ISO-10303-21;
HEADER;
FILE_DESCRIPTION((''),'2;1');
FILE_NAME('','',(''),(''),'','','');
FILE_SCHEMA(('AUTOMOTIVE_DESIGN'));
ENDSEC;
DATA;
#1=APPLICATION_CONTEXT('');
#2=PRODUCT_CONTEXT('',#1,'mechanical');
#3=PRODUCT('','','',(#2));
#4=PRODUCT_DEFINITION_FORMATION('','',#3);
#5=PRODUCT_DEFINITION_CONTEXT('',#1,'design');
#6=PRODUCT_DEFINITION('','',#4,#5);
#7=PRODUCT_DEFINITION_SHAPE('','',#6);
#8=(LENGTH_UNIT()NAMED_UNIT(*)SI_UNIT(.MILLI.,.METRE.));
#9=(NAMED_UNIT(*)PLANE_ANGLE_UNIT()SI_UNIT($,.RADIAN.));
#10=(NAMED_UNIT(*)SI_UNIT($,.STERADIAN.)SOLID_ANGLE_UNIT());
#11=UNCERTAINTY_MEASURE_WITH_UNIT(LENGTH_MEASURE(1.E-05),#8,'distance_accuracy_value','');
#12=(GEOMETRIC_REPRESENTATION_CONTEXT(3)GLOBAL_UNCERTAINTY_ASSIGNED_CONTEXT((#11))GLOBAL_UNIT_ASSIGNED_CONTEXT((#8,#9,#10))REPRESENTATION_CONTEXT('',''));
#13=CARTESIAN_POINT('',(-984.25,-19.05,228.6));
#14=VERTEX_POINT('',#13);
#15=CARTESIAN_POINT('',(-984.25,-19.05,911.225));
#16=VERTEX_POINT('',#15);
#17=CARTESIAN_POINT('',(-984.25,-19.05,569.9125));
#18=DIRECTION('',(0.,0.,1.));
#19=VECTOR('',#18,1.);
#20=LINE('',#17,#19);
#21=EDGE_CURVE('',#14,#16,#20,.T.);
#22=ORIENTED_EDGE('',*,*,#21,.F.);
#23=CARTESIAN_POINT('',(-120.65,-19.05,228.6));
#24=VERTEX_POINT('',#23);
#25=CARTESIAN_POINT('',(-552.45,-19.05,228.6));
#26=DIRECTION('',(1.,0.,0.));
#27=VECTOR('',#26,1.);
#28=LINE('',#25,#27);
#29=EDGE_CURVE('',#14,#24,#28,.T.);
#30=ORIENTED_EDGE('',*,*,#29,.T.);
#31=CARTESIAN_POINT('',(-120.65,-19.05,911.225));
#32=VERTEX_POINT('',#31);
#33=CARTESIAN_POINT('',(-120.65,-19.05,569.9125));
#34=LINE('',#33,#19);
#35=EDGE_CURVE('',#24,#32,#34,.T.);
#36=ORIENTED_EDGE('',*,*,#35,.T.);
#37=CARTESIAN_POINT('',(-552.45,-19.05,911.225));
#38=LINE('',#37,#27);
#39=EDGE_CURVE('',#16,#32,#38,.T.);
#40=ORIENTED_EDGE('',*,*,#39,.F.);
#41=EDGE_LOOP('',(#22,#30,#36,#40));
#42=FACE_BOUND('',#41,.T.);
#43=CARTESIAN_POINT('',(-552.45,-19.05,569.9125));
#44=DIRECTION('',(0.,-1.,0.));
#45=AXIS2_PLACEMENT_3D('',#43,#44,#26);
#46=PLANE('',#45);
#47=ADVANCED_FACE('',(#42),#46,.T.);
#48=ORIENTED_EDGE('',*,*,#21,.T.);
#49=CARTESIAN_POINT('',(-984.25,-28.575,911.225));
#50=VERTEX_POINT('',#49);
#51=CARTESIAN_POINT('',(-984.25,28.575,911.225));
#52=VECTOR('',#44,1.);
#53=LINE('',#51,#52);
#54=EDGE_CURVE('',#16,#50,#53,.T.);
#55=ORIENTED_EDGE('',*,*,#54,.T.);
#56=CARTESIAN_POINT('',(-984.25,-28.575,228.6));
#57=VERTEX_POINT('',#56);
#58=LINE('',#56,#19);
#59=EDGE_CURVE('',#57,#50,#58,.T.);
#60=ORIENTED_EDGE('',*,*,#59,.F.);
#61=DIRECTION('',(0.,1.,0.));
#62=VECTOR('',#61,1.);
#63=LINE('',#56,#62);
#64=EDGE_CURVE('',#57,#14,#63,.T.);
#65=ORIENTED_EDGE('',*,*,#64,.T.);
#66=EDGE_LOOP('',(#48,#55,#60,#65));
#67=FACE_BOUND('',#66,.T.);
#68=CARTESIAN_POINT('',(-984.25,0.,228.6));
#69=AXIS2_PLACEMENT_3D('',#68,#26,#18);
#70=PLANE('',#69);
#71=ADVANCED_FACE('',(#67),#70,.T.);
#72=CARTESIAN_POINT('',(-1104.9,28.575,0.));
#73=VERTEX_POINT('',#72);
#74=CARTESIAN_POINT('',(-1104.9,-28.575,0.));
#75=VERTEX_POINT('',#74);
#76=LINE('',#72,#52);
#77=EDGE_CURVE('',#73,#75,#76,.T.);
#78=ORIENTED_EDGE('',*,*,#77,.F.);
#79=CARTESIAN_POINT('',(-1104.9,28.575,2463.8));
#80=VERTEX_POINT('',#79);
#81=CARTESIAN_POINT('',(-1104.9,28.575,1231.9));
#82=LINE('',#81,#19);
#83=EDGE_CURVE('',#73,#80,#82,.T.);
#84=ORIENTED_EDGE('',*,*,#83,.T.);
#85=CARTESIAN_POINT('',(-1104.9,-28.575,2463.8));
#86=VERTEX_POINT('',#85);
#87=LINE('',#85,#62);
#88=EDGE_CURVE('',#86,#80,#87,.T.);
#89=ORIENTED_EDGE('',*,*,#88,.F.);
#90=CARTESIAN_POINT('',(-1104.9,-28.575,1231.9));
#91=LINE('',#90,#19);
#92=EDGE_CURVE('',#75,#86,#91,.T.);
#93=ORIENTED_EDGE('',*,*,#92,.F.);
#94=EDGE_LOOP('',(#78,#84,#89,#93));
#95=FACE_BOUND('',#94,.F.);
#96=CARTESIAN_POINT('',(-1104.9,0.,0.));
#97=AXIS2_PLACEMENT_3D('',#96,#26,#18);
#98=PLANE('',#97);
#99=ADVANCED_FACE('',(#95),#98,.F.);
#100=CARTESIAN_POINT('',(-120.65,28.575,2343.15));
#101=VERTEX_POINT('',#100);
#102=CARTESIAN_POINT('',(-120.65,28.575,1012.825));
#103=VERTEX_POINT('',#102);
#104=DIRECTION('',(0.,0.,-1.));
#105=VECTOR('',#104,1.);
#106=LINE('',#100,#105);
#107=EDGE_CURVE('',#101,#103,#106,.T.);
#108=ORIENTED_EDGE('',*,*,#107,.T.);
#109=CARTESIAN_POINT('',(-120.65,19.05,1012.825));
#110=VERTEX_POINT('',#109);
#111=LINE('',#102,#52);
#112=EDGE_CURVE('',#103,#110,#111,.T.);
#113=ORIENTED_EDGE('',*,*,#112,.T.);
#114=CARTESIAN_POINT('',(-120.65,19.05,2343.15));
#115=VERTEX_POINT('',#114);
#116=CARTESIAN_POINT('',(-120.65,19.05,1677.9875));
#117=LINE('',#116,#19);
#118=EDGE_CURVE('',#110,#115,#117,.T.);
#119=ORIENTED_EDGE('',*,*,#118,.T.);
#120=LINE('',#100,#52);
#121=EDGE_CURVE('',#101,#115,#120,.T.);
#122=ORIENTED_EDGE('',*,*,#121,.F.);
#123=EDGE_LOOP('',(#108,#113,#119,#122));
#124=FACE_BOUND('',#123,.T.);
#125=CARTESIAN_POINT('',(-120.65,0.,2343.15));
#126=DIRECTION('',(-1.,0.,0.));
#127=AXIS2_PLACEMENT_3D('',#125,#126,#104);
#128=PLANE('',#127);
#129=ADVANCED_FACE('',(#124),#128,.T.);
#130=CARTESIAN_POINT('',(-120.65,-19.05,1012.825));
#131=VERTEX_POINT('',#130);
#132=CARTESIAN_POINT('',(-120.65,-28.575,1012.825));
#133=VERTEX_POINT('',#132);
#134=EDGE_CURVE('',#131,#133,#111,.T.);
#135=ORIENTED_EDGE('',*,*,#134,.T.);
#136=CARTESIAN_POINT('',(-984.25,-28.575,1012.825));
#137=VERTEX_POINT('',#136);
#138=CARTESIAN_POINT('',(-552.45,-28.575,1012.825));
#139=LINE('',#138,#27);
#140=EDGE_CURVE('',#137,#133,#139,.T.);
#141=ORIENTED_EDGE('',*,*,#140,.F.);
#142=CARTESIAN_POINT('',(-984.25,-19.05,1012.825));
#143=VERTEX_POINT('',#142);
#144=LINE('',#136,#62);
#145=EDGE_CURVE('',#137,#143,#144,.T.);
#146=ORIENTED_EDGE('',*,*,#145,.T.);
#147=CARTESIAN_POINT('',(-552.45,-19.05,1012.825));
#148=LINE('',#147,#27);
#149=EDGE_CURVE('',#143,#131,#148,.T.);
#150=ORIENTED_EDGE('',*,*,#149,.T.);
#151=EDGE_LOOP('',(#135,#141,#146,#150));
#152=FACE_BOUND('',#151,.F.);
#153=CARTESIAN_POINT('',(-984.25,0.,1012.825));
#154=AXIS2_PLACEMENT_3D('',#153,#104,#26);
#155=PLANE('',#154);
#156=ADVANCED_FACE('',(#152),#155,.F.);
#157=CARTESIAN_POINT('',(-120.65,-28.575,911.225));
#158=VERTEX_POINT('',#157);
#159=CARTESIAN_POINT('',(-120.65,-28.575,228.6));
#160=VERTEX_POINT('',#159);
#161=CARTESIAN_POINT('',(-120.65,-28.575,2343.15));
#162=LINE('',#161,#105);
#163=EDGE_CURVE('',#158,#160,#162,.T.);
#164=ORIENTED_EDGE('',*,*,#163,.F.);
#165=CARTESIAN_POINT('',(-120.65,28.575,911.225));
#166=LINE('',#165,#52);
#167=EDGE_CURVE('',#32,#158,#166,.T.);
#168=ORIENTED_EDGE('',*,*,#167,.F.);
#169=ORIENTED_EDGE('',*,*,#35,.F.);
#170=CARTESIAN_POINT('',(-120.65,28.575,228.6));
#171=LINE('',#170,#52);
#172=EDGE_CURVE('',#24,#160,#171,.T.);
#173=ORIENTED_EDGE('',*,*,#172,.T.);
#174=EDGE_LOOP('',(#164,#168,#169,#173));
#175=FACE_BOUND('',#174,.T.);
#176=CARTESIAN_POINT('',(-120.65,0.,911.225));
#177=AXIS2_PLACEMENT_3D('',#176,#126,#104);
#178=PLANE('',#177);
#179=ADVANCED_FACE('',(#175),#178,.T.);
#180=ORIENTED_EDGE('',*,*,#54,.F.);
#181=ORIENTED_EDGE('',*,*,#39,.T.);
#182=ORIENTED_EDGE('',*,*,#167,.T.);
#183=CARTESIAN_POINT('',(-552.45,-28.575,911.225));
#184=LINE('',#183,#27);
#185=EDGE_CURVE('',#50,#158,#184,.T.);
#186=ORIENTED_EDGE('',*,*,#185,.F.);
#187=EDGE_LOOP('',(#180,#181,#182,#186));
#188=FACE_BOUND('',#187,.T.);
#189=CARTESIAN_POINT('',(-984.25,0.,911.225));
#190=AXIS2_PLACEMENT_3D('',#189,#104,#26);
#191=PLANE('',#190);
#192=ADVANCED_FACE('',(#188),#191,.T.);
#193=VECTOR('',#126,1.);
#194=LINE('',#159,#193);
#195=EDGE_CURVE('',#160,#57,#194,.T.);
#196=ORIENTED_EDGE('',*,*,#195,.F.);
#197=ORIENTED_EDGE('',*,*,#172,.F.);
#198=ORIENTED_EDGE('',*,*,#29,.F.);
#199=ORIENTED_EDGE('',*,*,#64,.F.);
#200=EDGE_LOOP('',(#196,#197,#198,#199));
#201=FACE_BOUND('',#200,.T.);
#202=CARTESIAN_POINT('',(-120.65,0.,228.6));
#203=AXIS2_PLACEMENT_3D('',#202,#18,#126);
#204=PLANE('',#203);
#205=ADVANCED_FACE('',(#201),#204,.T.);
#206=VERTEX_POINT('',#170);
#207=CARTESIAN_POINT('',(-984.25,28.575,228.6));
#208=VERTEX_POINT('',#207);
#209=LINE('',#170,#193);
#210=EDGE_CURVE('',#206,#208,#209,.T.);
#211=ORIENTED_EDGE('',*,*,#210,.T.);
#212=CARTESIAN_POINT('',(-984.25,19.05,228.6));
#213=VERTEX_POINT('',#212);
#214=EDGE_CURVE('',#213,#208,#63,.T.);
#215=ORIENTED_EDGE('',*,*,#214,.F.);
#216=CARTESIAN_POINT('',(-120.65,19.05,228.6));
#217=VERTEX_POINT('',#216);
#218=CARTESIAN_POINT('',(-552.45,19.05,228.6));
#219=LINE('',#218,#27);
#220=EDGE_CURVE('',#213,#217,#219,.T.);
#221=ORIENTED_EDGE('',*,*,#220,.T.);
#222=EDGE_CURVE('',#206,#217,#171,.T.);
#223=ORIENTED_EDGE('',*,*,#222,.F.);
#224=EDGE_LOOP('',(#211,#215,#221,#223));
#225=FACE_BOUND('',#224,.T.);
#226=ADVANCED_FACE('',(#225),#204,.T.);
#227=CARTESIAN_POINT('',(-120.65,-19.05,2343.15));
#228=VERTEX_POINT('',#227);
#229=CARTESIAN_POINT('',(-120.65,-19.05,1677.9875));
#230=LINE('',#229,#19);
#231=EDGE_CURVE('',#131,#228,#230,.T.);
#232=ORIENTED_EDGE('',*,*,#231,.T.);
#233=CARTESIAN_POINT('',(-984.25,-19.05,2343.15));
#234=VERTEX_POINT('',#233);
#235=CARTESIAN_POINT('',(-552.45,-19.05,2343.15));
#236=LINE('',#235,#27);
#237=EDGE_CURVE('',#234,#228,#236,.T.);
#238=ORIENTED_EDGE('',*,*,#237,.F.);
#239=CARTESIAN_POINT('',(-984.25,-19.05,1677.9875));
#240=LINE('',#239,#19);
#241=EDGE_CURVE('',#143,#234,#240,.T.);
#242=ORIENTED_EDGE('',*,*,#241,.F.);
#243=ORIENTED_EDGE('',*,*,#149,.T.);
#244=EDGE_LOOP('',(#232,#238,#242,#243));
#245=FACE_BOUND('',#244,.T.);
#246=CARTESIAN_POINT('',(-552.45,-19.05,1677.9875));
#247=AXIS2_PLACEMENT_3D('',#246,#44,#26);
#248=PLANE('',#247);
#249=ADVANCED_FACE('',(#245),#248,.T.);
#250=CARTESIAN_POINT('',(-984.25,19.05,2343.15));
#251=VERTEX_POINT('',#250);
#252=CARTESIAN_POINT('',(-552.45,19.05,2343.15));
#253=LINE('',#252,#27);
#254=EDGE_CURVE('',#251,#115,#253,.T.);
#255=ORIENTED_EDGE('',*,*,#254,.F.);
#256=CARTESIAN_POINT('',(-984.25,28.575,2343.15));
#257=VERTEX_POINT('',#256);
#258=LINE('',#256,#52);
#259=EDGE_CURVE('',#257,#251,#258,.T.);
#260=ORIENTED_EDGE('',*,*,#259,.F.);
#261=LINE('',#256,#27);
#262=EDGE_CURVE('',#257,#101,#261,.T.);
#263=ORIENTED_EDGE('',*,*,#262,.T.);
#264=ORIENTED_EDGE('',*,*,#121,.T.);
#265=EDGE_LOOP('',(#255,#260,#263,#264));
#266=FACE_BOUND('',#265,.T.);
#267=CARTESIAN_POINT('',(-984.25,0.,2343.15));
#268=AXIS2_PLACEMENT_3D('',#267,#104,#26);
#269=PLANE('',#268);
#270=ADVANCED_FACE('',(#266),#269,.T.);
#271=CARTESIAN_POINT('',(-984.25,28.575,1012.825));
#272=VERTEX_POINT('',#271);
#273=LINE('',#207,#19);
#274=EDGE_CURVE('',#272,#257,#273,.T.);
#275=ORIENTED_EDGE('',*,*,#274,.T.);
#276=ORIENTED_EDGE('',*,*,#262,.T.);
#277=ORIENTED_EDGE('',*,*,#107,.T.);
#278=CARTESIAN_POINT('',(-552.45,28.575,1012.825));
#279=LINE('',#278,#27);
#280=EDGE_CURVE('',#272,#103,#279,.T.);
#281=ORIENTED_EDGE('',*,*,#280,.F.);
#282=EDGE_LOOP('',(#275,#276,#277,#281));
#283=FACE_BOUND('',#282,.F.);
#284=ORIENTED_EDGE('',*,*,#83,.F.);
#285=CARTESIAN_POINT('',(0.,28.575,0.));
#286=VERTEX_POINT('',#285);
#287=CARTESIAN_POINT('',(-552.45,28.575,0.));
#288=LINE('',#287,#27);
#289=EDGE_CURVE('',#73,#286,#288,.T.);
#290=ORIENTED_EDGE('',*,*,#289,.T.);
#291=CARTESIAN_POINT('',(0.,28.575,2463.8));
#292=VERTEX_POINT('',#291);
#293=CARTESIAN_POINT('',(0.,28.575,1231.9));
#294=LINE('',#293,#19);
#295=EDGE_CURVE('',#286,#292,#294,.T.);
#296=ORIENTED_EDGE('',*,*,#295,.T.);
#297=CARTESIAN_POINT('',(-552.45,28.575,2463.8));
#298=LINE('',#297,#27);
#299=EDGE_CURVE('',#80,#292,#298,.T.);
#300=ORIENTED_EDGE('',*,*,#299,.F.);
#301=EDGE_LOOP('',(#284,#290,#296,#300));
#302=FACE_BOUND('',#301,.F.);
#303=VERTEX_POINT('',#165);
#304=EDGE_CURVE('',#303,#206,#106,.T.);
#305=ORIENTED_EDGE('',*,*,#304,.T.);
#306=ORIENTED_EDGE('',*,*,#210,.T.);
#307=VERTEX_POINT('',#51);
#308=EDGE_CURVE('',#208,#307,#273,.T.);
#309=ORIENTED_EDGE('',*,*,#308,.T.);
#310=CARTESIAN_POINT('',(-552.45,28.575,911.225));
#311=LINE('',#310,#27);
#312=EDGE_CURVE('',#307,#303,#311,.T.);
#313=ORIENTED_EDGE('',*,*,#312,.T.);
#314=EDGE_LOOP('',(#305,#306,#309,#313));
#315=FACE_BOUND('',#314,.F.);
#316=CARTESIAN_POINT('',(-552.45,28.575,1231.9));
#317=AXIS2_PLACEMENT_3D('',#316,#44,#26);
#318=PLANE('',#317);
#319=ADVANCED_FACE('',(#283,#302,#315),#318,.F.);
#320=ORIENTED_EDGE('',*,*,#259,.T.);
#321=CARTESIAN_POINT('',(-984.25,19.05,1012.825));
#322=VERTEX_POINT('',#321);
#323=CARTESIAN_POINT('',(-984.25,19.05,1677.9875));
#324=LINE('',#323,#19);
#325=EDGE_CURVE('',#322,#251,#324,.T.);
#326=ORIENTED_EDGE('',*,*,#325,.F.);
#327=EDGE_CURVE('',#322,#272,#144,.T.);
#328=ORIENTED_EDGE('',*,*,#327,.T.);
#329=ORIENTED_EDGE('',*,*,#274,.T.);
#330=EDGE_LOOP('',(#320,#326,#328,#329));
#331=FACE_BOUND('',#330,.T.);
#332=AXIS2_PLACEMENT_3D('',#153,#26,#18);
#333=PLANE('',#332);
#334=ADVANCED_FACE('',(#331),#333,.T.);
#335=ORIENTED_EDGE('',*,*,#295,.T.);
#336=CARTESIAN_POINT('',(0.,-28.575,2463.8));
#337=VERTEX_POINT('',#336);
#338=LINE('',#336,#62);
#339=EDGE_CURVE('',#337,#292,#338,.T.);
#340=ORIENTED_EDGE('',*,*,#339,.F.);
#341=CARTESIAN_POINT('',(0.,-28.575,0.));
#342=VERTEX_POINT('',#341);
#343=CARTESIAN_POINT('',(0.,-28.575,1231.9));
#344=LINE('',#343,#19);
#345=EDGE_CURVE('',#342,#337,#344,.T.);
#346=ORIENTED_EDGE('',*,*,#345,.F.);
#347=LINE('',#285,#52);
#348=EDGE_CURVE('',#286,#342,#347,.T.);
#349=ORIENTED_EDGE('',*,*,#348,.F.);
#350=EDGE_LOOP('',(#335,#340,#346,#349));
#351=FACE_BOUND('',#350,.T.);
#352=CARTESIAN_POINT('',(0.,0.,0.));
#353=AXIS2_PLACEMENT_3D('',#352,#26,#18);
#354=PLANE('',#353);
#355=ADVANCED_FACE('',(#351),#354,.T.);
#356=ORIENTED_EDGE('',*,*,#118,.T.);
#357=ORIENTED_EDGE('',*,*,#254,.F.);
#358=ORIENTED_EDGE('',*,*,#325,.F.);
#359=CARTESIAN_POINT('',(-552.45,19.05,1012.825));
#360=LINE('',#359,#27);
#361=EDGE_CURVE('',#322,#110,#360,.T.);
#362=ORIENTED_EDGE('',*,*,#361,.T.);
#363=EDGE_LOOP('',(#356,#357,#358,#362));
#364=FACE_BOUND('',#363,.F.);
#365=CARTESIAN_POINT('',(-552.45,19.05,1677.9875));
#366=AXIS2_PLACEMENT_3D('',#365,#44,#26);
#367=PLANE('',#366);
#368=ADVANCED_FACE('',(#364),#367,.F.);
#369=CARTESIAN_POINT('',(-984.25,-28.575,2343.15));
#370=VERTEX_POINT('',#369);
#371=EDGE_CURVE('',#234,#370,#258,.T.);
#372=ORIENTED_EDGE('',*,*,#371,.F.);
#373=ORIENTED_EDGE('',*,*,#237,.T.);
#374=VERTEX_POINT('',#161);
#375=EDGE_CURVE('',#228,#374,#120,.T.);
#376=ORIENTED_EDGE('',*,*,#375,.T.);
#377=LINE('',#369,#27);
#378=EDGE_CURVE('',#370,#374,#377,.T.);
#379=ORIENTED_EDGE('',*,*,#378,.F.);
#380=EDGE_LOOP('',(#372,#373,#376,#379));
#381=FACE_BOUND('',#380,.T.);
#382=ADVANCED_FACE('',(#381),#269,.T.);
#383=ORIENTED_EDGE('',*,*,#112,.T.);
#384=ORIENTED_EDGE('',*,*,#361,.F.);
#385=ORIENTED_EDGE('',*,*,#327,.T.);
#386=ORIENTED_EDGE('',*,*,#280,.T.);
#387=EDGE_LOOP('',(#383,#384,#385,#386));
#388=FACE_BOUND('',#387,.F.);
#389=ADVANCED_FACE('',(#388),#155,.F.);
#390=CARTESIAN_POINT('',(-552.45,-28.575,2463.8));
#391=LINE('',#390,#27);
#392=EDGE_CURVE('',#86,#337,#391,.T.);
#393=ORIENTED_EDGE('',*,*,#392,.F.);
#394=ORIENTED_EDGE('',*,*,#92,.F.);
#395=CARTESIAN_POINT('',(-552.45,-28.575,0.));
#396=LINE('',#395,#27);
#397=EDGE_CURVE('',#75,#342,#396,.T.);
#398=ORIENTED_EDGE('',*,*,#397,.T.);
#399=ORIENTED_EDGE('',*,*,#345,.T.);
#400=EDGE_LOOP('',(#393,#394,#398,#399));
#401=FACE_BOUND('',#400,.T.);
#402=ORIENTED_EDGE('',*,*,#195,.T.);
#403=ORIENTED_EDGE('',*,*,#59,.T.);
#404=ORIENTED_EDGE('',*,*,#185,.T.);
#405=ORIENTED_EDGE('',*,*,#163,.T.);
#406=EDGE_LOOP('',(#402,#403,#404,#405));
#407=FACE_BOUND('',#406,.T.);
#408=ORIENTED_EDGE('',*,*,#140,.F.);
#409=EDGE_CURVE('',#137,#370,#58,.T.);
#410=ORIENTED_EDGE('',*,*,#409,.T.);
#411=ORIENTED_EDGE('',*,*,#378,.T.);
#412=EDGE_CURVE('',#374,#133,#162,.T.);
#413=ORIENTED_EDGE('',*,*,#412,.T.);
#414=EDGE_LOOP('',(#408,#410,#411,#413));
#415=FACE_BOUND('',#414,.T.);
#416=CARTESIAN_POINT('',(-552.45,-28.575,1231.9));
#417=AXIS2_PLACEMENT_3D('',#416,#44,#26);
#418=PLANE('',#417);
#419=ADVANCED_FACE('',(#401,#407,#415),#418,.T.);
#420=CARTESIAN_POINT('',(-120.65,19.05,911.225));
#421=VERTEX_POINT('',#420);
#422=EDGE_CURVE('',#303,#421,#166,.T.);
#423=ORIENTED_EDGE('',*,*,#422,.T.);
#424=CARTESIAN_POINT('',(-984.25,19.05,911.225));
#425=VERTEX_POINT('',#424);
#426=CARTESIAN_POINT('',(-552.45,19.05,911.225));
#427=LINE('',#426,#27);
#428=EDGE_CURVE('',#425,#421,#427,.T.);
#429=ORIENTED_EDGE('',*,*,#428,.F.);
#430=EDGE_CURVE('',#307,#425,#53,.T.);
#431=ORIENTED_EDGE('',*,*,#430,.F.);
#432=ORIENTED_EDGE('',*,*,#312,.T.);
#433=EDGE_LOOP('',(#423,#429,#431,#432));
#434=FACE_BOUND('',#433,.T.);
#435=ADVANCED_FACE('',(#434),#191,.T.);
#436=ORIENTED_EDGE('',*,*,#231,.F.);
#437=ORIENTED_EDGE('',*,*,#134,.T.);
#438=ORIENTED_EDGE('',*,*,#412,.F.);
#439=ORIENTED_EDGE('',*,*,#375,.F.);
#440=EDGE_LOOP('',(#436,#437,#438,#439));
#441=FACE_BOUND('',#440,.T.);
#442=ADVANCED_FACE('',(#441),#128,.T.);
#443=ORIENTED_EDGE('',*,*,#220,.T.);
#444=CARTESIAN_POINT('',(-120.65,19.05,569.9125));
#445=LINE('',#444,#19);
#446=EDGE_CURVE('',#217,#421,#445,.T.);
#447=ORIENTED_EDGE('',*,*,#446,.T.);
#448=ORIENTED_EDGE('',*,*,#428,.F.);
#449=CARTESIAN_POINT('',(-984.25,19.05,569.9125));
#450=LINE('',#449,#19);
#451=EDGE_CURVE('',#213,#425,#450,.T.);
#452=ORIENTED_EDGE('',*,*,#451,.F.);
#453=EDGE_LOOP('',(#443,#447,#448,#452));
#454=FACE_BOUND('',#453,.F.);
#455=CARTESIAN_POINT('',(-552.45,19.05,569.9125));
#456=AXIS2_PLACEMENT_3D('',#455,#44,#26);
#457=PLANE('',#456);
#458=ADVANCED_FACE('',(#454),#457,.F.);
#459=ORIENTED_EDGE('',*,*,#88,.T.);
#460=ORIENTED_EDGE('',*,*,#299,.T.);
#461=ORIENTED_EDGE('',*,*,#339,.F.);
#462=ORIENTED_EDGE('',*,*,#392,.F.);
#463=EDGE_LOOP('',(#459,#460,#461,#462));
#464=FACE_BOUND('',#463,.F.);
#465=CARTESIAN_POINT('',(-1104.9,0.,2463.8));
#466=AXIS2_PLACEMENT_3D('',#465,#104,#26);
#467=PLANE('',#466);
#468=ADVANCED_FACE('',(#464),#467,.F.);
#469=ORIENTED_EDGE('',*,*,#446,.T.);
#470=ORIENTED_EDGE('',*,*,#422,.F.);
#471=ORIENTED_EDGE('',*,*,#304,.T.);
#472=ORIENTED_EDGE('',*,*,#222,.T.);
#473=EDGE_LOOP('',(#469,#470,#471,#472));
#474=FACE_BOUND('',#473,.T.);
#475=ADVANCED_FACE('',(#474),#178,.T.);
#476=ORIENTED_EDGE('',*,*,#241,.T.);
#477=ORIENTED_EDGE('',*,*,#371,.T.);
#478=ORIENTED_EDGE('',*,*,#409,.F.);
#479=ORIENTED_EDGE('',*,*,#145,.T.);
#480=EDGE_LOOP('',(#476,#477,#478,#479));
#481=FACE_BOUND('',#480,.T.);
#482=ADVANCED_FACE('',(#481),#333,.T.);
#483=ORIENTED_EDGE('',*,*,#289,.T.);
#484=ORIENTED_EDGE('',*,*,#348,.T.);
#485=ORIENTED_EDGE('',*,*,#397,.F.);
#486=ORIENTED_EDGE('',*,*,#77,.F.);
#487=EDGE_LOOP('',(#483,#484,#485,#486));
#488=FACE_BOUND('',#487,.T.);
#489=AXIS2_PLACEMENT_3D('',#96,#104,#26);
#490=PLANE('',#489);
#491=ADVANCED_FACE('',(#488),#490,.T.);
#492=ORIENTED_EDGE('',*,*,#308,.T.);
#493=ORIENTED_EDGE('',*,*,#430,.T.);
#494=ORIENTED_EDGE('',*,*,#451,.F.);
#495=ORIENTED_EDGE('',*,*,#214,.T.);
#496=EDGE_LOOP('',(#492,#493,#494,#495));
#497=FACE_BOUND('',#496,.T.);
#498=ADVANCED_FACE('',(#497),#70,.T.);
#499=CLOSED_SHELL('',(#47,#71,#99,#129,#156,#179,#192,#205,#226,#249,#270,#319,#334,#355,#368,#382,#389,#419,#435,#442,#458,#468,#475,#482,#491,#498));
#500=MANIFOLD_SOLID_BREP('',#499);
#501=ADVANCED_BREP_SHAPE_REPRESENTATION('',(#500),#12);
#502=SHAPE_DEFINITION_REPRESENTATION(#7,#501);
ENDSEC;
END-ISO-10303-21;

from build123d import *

# Parameters (mm, degrees)
F0_W     = 1104.9
F0_H     = 2463.8
F0_W_2   = 863.6
F0_H_2   = 101.6
F1_DEPTH = 28.575
F0_H_3   = 1330.325
F0_H_4   = 682.625
F2_DEPTH = 19.05


with BuildPart() as f1:
    # F0 (on Front) → F1 (new body, symmetric)
    with BuildSketch(Plane.XZ):
        with Locations((-552.45, 1231.9)):
            Rectangle(F0_W, F0_H)
        Polygon((-984.25, 1012.825), (-984.25, 2343.15), (-120.65, 2343.15), (-120.65, 1012.825), (-120.65, 911.225), (-120.65, 228.6), (-984.25, 228.6), (-984.25, 911.225), align=None, mode=Mode.SUBTRACT)
        with Locations((-552.45, 962.025)):
            Rectangle(F0_W_2, F0_H_2)
    extrude(amount=F1_DEPTH, both=True)

    # F0 (on Front) → F2 (join, symmetric)
    with BuildSketch(Plane.XZ):
        with Locations((-552.45, 1677.9875)):
            Rectangle(F0_W_2, F0_H_3)
        with Locations((-552.45, 569.9125)):
            Rectangle(F0_W_2, F0_H_4)
    extrude(amount=F2_DEPTH, both=True)


solid = f1.part
